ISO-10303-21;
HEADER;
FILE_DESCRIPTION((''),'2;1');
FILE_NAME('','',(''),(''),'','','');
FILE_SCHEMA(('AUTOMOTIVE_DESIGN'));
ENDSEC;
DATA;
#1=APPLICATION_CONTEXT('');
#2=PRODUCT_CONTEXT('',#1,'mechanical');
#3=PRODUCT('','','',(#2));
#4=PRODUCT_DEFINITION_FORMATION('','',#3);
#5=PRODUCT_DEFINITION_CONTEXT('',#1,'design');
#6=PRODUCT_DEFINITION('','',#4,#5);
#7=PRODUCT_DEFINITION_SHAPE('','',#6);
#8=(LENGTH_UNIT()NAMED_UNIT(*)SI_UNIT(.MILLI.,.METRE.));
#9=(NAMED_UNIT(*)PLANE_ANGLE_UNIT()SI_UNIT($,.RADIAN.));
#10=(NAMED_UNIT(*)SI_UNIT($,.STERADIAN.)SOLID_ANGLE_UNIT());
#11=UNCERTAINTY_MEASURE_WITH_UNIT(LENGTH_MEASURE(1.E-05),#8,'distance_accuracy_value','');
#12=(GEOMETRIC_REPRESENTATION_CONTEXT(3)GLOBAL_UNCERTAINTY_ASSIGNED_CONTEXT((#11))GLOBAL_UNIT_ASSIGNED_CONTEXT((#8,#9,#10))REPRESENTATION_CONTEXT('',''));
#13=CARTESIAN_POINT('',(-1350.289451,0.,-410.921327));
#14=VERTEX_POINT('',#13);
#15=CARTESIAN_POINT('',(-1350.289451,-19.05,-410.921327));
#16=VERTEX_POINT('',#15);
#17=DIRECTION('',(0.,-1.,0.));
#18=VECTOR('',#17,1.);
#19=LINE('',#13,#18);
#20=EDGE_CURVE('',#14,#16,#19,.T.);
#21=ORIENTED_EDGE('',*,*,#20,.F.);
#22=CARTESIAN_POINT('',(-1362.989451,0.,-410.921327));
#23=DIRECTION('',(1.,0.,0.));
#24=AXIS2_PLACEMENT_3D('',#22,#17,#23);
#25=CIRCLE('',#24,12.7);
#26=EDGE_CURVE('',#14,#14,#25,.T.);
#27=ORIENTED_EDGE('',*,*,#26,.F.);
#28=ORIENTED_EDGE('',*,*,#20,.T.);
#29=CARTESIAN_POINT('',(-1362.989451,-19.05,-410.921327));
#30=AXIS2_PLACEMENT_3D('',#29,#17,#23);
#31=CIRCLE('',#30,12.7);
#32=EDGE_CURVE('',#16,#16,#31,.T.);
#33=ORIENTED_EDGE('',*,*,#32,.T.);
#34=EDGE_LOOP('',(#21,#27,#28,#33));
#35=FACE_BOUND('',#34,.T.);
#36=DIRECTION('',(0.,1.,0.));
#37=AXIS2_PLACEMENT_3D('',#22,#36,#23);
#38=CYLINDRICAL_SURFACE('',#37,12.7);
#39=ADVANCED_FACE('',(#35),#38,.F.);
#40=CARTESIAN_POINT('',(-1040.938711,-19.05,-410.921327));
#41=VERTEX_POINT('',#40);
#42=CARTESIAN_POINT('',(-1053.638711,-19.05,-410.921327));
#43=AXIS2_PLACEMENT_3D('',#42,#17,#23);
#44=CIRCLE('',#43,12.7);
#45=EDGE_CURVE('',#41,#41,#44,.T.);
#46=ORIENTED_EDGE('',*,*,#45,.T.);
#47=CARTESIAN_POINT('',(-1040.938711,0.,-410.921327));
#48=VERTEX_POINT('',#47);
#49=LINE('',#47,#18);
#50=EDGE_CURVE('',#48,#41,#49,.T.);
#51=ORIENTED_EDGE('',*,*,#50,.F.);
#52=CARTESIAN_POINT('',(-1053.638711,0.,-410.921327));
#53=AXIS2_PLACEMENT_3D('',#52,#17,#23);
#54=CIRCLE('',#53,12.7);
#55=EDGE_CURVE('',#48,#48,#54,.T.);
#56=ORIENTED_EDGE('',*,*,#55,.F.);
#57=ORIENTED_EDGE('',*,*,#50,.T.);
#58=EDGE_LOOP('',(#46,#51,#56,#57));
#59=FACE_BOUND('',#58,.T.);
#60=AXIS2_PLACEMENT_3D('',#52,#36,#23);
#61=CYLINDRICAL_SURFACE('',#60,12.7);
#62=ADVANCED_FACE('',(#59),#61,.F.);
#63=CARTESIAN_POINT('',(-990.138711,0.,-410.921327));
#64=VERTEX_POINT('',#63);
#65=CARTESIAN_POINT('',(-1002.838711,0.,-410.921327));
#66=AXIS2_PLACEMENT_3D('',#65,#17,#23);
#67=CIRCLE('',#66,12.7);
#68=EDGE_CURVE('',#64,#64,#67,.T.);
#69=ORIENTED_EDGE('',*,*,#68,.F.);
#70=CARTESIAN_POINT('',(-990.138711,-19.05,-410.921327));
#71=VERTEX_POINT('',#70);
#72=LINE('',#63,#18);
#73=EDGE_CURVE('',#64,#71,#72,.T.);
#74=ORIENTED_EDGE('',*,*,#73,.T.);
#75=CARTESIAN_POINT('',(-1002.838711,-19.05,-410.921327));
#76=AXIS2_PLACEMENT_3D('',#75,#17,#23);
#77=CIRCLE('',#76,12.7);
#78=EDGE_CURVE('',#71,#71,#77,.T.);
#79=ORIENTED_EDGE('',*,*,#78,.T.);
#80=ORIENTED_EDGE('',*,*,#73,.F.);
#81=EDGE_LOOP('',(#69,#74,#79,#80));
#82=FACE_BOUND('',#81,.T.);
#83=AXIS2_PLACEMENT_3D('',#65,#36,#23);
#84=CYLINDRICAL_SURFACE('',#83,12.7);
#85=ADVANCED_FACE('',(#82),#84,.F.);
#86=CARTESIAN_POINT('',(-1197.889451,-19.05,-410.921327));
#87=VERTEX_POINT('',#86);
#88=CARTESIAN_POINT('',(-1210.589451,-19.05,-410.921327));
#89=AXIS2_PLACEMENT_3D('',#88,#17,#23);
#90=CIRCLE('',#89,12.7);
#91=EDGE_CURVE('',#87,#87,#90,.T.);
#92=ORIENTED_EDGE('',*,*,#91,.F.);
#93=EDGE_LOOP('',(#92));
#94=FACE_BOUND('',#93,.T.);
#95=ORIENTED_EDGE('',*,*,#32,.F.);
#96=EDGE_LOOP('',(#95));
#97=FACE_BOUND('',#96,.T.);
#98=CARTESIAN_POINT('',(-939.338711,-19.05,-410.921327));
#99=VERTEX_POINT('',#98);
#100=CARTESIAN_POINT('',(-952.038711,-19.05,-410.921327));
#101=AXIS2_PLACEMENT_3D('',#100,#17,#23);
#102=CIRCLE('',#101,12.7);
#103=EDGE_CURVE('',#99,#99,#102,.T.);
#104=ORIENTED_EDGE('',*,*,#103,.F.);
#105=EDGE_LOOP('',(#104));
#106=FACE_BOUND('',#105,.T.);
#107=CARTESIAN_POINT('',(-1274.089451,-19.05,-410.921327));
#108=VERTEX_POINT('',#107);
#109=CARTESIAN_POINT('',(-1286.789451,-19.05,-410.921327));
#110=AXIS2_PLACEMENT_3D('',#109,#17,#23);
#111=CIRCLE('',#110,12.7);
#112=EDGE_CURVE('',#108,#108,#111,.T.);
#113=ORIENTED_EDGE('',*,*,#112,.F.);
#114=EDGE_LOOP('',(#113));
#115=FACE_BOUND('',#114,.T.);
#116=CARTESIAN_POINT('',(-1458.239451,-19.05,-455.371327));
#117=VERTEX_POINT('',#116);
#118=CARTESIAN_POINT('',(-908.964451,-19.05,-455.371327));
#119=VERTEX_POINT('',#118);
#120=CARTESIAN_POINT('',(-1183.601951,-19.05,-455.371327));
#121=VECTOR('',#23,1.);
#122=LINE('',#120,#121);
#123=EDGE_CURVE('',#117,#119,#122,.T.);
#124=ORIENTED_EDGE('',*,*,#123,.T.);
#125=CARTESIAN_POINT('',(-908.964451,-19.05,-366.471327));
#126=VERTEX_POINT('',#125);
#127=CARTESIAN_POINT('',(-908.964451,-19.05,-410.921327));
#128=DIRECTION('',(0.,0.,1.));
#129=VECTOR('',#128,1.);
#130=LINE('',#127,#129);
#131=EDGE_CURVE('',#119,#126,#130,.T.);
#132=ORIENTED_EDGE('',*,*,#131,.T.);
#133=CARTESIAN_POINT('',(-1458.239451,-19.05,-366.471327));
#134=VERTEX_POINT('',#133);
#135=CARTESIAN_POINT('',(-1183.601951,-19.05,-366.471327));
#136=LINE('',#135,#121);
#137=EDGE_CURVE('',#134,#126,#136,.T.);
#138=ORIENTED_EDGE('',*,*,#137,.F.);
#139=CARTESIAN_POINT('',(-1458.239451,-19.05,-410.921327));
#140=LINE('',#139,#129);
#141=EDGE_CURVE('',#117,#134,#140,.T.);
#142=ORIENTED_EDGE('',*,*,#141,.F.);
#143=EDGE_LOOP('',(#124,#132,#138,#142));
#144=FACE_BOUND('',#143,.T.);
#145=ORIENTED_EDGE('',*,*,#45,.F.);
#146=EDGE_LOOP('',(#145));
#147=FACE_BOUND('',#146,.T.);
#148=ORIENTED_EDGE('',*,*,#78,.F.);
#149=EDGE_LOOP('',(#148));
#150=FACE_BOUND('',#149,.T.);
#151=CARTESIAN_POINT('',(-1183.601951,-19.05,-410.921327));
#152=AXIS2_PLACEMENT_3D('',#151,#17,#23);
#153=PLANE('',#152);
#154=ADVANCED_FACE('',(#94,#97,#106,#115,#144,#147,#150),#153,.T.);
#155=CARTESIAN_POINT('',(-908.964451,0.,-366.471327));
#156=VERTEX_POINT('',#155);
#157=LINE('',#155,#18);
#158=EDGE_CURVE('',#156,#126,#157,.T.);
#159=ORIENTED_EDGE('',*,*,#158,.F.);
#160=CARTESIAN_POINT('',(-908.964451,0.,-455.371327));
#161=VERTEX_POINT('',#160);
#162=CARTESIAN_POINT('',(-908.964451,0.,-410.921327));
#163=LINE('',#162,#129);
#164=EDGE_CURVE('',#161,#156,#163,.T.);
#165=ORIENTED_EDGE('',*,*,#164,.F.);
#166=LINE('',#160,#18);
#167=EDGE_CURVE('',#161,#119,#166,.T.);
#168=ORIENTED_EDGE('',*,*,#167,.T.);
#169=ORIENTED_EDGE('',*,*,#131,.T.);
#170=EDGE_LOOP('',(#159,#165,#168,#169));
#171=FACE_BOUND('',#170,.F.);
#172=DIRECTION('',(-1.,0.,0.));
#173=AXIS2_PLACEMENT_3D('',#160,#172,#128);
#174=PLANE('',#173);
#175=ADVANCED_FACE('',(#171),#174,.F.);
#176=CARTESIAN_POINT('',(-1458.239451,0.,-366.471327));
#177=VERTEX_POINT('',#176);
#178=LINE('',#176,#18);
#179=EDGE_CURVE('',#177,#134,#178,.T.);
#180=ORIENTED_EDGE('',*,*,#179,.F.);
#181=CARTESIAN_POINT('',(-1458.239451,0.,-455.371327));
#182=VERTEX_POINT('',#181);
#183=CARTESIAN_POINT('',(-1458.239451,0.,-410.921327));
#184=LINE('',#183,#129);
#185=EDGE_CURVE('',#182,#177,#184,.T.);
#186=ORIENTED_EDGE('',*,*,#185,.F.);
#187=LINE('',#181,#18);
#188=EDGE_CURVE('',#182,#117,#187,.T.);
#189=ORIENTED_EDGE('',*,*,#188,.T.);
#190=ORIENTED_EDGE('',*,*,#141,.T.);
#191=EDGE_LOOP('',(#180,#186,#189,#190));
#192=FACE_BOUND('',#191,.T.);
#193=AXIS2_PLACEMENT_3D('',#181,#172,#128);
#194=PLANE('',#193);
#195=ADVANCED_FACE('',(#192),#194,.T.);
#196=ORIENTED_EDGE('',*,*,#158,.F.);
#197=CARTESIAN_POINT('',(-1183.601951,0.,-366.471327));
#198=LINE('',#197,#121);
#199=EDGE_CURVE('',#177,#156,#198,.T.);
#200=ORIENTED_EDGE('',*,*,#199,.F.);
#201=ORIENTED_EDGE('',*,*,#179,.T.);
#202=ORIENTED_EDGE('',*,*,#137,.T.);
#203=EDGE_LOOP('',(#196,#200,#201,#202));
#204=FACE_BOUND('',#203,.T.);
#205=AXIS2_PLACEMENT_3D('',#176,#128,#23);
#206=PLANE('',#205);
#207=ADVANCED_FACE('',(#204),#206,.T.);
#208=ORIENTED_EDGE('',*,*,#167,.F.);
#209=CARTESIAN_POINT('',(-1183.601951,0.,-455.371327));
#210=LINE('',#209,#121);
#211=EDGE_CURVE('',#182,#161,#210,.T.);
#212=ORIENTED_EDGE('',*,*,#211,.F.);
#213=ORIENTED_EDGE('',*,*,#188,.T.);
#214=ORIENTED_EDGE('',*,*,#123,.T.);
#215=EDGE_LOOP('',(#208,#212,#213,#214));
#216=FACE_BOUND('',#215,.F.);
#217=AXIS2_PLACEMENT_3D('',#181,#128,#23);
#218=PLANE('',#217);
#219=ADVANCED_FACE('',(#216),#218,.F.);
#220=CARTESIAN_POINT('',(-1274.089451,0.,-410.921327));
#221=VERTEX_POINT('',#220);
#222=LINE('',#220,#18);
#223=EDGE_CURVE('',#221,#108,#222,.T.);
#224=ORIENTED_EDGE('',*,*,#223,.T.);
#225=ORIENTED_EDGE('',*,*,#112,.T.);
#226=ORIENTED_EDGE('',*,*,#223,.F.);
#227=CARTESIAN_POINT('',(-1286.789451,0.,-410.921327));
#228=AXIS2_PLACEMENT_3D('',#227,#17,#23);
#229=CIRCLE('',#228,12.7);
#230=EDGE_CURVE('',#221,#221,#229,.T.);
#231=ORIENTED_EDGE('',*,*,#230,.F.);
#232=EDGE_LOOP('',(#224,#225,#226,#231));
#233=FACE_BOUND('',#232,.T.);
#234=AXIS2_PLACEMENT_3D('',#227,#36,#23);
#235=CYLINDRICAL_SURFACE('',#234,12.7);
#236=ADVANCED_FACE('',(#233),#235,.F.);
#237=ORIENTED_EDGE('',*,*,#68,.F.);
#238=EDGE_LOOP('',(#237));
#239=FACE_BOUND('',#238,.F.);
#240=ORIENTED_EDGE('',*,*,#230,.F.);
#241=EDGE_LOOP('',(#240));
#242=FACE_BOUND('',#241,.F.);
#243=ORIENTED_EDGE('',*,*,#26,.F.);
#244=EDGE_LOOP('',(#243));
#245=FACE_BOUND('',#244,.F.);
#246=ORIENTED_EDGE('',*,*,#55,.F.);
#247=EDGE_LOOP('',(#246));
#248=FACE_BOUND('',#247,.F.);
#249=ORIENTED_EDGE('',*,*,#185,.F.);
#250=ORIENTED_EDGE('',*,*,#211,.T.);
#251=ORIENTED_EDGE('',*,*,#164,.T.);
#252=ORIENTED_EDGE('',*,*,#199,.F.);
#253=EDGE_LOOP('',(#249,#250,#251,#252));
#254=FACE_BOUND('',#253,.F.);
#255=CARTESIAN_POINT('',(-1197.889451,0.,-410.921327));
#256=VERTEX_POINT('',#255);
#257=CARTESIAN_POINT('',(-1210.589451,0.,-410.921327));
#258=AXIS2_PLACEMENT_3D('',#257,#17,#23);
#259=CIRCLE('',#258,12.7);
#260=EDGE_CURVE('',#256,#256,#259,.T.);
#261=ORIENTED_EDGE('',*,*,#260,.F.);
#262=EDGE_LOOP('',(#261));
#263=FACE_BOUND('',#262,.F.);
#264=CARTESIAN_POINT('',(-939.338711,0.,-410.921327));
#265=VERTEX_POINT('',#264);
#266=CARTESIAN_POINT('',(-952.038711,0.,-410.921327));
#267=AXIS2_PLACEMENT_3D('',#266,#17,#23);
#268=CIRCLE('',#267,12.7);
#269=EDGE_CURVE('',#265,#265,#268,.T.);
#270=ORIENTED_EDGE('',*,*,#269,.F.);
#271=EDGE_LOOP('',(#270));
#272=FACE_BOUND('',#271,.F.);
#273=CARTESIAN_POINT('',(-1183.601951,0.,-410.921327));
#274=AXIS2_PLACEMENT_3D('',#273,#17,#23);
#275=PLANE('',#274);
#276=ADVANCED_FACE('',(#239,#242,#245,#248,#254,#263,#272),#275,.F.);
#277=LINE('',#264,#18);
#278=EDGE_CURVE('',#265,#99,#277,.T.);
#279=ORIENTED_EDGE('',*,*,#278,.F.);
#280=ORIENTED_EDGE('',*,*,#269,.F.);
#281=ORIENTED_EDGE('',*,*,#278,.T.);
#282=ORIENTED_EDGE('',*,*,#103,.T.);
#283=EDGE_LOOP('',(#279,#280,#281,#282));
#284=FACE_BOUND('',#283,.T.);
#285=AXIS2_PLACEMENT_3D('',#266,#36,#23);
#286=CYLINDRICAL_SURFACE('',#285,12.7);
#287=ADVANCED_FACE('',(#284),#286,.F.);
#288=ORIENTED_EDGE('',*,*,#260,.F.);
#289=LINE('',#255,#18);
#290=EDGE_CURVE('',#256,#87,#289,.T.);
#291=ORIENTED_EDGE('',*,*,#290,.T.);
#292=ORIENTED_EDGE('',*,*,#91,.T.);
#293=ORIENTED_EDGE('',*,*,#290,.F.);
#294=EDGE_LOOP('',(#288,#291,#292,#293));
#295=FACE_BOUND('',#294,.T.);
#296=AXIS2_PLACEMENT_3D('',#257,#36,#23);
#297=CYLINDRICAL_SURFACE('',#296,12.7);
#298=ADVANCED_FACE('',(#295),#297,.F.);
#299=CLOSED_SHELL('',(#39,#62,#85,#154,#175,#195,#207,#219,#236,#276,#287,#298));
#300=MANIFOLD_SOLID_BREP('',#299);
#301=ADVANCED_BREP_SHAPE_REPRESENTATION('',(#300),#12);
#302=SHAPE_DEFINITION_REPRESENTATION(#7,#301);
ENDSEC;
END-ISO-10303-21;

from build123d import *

# Parameters (mm, degrees)
F0_W     = 549.275
F0_H     = 88.9
F0_R     = 12.7
F1_DEPTH = 19.05


with BuildPart() as f1:
    # F0 (on Front) → F1 (new body)
    with BuildSketch(Plane.XZ):
        with Locations((-1183.601951, -410.921327)):
            Rectangle(F0_W, F0_H)
        with Locations((-1362.989451, -410.921327)):
            Circle(F0_R, mode=Mode.SUBTRACT)
        with Locations((-1286.789451, -410.921327)):
            Circle(F0_R, mode=Mode.SUBTRACT)
        with Locations((-1210.589451, -410.921327)):
            Circle(F0_R, mode=Mode.SUBTRACT)
        with Locations((-1053.638711, -410.921327)):
            Circle(F0_R, mode=Mode.SUBTRACT)
        with Locations((-1002.838711, -410.921327)):
            Circle(F0_R, mode=Mode.SUBTRACT)
        with Locations((-952.038711, -410.921327)):
            Circle(F0_R, mode=Mode.SUBTRACT)
    extrude(amount=F1_DEPTH)


solid = f1.part
